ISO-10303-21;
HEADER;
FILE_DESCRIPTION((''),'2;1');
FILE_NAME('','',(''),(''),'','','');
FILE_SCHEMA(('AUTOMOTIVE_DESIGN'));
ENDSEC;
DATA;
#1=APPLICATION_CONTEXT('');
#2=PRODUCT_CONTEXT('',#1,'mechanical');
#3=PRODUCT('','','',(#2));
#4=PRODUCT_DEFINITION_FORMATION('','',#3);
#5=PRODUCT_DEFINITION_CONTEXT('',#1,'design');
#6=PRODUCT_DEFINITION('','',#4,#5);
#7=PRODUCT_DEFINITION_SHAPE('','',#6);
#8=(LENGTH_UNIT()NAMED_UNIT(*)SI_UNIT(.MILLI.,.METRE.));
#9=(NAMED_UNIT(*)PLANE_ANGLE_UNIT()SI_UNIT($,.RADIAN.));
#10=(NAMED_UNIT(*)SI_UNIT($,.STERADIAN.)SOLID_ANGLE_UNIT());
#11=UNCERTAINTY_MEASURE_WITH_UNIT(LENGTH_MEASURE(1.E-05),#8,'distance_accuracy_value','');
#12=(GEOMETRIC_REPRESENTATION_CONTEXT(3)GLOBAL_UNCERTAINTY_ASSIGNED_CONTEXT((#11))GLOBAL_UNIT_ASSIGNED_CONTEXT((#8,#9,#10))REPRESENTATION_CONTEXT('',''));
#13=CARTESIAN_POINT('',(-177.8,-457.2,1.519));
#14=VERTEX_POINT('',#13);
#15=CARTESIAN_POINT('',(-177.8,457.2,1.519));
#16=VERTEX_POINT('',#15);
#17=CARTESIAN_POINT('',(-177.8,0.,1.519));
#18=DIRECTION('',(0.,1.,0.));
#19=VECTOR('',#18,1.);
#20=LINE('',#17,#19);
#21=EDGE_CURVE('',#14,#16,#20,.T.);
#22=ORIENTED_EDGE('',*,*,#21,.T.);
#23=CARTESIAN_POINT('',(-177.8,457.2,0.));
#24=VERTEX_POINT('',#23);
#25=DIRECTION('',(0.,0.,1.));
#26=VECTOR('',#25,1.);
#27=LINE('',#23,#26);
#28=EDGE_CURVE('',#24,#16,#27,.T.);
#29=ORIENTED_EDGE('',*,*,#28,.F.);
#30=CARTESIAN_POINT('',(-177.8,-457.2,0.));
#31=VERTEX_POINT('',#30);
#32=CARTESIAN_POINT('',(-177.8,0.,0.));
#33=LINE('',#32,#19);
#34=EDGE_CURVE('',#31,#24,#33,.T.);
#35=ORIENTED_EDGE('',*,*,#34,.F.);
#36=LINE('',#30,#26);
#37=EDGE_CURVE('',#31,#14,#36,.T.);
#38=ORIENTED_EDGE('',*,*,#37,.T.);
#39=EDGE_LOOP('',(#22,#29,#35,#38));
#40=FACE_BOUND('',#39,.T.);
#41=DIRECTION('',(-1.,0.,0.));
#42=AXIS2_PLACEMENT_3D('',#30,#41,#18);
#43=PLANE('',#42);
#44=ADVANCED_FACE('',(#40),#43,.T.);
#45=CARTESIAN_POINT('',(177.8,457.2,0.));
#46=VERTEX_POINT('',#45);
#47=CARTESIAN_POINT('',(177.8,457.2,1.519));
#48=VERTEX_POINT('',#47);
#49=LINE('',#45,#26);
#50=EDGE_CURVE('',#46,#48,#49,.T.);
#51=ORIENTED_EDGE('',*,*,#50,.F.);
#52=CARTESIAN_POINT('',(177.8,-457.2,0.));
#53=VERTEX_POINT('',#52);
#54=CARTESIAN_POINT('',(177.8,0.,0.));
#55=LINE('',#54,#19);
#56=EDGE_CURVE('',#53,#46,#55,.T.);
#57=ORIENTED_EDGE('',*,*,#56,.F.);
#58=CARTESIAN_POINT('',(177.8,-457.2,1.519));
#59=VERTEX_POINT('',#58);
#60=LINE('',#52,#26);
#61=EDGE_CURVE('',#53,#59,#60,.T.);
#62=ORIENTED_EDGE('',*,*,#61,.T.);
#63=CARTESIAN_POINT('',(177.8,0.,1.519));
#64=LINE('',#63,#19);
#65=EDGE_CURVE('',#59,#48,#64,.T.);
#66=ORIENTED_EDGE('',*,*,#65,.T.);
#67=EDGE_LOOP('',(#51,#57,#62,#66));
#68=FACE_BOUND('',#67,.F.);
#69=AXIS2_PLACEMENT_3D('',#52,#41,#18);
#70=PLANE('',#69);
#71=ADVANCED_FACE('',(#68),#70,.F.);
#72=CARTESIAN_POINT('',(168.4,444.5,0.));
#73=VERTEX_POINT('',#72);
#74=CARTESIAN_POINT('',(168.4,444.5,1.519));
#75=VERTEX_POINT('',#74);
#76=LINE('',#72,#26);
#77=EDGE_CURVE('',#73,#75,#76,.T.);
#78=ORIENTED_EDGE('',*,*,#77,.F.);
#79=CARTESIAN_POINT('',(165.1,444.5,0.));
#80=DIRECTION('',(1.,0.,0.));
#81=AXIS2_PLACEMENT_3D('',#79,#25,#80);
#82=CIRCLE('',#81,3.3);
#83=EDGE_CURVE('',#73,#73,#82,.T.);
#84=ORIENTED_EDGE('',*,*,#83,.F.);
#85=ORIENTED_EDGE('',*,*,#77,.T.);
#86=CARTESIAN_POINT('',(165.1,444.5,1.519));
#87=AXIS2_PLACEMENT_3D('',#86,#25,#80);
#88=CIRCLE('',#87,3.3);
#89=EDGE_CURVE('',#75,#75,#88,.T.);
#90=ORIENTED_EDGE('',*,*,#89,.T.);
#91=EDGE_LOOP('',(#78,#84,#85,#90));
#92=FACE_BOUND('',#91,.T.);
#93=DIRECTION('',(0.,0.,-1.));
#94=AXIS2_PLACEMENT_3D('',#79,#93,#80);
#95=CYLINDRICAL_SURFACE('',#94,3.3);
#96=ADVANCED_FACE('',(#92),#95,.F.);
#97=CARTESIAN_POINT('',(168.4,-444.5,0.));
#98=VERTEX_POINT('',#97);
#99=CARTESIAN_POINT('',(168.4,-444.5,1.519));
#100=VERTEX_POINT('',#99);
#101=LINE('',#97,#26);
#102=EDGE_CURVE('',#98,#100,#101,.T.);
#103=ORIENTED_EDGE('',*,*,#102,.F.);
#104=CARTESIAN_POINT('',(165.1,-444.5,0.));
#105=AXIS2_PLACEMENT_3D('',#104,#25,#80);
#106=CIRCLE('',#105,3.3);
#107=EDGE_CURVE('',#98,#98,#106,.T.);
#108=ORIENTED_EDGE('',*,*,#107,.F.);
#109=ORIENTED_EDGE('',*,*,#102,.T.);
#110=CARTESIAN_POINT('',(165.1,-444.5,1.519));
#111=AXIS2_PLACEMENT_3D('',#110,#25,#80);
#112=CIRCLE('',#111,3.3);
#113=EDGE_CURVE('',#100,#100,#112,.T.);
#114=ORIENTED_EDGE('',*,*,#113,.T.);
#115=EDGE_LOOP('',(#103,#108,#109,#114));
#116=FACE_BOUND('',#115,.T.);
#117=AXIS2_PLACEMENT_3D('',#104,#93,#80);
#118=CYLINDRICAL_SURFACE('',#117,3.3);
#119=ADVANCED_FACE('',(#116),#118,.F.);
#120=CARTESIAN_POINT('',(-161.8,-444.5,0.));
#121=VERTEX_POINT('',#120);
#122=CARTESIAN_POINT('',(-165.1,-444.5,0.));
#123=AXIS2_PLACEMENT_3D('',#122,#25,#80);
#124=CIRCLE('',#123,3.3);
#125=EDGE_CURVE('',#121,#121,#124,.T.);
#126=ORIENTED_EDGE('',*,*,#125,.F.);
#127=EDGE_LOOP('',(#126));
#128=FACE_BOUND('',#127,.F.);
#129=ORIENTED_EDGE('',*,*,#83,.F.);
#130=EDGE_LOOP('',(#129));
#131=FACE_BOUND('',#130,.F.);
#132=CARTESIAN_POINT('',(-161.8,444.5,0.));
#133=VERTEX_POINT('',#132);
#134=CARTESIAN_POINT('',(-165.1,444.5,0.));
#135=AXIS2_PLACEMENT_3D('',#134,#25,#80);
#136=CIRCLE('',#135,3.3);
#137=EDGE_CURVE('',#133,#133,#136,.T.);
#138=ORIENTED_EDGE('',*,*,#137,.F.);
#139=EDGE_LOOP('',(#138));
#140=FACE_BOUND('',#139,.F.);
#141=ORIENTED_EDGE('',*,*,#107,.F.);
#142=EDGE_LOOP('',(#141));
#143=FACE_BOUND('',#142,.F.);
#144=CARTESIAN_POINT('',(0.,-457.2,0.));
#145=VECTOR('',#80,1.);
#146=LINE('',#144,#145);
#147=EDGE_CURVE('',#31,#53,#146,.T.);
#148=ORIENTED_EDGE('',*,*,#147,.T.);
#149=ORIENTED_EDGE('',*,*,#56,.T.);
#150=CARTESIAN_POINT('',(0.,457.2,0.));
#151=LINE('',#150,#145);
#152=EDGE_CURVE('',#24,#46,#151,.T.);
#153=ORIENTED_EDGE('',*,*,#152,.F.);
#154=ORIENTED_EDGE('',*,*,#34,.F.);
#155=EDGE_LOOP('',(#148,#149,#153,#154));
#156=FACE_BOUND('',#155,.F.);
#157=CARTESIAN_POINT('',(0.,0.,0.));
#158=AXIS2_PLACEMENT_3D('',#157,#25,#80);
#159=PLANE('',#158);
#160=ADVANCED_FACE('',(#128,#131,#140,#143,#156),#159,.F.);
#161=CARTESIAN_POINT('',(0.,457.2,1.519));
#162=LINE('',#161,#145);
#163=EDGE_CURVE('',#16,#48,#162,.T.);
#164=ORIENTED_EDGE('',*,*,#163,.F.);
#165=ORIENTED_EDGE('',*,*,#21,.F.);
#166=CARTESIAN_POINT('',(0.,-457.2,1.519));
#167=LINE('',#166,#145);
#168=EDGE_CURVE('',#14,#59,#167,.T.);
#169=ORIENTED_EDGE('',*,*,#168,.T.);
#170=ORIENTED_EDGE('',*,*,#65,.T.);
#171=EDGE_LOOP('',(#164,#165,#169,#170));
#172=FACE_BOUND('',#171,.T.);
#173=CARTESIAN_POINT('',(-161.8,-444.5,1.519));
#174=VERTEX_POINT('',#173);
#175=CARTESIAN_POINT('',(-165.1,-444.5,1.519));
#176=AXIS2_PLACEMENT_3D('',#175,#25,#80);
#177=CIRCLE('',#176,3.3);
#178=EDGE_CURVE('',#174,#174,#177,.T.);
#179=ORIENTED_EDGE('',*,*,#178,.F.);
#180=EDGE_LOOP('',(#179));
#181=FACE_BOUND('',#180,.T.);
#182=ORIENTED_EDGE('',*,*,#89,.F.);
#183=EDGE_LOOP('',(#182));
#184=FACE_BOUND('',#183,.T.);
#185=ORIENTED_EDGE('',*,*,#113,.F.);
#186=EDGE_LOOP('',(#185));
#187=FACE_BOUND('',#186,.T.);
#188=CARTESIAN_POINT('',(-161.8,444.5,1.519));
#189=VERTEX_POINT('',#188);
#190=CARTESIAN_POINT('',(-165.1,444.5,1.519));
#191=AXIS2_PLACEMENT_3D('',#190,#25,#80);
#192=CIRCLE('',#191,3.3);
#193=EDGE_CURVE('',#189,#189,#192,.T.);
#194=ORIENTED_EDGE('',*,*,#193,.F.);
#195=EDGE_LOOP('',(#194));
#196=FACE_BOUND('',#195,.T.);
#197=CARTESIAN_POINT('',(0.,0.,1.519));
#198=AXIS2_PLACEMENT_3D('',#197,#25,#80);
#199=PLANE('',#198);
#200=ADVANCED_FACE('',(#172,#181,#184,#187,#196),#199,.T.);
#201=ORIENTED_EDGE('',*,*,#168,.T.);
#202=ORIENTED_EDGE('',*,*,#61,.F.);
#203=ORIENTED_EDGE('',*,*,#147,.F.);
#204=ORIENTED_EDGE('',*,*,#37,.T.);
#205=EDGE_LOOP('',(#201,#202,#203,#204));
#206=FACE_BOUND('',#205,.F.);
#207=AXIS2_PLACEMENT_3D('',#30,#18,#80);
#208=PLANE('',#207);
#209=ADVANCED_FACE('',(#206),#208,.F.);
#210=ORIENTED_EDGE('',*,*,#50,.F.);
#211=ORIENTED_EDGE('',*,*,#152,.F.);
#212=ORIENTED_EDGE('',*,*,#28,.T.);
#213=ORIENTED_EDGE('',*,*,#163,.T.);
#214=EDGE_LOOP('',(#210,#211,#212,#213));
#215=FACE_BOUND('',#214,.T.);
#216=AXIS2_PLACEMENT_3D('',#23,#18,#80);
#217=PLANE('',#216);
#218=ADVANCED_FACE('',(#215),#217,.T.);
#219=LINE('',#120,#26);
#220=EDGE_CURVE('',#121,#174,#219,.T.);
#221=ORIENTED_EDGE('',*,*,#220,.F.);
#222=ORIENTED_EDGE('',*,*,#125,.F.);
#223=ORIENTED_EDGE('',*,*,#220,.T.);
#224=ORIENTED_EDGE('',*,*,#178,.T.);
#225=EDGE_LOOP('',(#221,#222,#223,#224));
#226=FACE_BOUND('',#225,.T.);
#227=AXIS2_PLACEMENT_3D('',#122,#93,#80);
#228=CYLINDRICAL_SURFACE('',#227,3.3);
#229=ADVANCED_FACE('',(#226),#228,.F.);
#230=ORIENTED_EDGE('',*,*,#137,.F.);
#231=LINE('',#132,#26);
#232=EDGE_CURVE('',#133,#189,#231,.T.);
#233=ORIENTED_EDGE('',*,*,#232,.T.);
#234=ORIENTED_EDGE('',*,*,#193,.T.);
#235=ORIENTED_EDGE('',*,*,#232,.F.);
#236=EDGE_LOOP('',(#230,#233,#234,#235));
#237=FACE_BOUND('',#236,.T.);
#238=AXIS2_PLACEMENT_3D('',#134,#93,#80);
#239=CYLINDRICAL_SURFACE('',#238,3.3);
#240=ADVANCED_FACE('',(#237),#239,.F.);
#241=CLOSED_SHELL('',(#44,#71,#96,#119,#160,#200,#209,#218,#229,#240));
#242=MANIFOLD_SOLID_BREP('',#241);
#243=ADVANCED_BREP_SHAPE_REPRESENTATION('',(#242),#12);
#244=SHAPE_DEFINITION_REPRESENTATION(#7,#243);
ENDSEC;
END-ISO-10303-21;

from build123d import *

# Parameters (mm, degrees)
SKETCH_W  = 355.6
SKETCH_H  = 914.4
SKETCH_R  = 3.3
PAD_DEPTH = 1.519


with BuildPart() as part:
    # Sketch → Pad (new body)
    with BuildSketch(Plane.XY):
        Rectangle(SKETCH_W, SKETCH_H)
        with Locations((165.1, 444.5)):
            Circle(SKETCH_R, mode=Mode.SUBTRACT)
        with Locations((-165.1, 444.5)):
            Circle(SKETCH_R, mode=Mode.SUBTRACT)
        with Locations((-165.1, -444.5)):
            Circle(SKETCH_R, mode=Mode.SUBTRACT)
        with Locations((165.1, -444.5)):
            Circle(SKETCH_R, mode=Mode.SUBTRACT)
    extrude(amount=PAD_DEPTH)


solid = part.part
